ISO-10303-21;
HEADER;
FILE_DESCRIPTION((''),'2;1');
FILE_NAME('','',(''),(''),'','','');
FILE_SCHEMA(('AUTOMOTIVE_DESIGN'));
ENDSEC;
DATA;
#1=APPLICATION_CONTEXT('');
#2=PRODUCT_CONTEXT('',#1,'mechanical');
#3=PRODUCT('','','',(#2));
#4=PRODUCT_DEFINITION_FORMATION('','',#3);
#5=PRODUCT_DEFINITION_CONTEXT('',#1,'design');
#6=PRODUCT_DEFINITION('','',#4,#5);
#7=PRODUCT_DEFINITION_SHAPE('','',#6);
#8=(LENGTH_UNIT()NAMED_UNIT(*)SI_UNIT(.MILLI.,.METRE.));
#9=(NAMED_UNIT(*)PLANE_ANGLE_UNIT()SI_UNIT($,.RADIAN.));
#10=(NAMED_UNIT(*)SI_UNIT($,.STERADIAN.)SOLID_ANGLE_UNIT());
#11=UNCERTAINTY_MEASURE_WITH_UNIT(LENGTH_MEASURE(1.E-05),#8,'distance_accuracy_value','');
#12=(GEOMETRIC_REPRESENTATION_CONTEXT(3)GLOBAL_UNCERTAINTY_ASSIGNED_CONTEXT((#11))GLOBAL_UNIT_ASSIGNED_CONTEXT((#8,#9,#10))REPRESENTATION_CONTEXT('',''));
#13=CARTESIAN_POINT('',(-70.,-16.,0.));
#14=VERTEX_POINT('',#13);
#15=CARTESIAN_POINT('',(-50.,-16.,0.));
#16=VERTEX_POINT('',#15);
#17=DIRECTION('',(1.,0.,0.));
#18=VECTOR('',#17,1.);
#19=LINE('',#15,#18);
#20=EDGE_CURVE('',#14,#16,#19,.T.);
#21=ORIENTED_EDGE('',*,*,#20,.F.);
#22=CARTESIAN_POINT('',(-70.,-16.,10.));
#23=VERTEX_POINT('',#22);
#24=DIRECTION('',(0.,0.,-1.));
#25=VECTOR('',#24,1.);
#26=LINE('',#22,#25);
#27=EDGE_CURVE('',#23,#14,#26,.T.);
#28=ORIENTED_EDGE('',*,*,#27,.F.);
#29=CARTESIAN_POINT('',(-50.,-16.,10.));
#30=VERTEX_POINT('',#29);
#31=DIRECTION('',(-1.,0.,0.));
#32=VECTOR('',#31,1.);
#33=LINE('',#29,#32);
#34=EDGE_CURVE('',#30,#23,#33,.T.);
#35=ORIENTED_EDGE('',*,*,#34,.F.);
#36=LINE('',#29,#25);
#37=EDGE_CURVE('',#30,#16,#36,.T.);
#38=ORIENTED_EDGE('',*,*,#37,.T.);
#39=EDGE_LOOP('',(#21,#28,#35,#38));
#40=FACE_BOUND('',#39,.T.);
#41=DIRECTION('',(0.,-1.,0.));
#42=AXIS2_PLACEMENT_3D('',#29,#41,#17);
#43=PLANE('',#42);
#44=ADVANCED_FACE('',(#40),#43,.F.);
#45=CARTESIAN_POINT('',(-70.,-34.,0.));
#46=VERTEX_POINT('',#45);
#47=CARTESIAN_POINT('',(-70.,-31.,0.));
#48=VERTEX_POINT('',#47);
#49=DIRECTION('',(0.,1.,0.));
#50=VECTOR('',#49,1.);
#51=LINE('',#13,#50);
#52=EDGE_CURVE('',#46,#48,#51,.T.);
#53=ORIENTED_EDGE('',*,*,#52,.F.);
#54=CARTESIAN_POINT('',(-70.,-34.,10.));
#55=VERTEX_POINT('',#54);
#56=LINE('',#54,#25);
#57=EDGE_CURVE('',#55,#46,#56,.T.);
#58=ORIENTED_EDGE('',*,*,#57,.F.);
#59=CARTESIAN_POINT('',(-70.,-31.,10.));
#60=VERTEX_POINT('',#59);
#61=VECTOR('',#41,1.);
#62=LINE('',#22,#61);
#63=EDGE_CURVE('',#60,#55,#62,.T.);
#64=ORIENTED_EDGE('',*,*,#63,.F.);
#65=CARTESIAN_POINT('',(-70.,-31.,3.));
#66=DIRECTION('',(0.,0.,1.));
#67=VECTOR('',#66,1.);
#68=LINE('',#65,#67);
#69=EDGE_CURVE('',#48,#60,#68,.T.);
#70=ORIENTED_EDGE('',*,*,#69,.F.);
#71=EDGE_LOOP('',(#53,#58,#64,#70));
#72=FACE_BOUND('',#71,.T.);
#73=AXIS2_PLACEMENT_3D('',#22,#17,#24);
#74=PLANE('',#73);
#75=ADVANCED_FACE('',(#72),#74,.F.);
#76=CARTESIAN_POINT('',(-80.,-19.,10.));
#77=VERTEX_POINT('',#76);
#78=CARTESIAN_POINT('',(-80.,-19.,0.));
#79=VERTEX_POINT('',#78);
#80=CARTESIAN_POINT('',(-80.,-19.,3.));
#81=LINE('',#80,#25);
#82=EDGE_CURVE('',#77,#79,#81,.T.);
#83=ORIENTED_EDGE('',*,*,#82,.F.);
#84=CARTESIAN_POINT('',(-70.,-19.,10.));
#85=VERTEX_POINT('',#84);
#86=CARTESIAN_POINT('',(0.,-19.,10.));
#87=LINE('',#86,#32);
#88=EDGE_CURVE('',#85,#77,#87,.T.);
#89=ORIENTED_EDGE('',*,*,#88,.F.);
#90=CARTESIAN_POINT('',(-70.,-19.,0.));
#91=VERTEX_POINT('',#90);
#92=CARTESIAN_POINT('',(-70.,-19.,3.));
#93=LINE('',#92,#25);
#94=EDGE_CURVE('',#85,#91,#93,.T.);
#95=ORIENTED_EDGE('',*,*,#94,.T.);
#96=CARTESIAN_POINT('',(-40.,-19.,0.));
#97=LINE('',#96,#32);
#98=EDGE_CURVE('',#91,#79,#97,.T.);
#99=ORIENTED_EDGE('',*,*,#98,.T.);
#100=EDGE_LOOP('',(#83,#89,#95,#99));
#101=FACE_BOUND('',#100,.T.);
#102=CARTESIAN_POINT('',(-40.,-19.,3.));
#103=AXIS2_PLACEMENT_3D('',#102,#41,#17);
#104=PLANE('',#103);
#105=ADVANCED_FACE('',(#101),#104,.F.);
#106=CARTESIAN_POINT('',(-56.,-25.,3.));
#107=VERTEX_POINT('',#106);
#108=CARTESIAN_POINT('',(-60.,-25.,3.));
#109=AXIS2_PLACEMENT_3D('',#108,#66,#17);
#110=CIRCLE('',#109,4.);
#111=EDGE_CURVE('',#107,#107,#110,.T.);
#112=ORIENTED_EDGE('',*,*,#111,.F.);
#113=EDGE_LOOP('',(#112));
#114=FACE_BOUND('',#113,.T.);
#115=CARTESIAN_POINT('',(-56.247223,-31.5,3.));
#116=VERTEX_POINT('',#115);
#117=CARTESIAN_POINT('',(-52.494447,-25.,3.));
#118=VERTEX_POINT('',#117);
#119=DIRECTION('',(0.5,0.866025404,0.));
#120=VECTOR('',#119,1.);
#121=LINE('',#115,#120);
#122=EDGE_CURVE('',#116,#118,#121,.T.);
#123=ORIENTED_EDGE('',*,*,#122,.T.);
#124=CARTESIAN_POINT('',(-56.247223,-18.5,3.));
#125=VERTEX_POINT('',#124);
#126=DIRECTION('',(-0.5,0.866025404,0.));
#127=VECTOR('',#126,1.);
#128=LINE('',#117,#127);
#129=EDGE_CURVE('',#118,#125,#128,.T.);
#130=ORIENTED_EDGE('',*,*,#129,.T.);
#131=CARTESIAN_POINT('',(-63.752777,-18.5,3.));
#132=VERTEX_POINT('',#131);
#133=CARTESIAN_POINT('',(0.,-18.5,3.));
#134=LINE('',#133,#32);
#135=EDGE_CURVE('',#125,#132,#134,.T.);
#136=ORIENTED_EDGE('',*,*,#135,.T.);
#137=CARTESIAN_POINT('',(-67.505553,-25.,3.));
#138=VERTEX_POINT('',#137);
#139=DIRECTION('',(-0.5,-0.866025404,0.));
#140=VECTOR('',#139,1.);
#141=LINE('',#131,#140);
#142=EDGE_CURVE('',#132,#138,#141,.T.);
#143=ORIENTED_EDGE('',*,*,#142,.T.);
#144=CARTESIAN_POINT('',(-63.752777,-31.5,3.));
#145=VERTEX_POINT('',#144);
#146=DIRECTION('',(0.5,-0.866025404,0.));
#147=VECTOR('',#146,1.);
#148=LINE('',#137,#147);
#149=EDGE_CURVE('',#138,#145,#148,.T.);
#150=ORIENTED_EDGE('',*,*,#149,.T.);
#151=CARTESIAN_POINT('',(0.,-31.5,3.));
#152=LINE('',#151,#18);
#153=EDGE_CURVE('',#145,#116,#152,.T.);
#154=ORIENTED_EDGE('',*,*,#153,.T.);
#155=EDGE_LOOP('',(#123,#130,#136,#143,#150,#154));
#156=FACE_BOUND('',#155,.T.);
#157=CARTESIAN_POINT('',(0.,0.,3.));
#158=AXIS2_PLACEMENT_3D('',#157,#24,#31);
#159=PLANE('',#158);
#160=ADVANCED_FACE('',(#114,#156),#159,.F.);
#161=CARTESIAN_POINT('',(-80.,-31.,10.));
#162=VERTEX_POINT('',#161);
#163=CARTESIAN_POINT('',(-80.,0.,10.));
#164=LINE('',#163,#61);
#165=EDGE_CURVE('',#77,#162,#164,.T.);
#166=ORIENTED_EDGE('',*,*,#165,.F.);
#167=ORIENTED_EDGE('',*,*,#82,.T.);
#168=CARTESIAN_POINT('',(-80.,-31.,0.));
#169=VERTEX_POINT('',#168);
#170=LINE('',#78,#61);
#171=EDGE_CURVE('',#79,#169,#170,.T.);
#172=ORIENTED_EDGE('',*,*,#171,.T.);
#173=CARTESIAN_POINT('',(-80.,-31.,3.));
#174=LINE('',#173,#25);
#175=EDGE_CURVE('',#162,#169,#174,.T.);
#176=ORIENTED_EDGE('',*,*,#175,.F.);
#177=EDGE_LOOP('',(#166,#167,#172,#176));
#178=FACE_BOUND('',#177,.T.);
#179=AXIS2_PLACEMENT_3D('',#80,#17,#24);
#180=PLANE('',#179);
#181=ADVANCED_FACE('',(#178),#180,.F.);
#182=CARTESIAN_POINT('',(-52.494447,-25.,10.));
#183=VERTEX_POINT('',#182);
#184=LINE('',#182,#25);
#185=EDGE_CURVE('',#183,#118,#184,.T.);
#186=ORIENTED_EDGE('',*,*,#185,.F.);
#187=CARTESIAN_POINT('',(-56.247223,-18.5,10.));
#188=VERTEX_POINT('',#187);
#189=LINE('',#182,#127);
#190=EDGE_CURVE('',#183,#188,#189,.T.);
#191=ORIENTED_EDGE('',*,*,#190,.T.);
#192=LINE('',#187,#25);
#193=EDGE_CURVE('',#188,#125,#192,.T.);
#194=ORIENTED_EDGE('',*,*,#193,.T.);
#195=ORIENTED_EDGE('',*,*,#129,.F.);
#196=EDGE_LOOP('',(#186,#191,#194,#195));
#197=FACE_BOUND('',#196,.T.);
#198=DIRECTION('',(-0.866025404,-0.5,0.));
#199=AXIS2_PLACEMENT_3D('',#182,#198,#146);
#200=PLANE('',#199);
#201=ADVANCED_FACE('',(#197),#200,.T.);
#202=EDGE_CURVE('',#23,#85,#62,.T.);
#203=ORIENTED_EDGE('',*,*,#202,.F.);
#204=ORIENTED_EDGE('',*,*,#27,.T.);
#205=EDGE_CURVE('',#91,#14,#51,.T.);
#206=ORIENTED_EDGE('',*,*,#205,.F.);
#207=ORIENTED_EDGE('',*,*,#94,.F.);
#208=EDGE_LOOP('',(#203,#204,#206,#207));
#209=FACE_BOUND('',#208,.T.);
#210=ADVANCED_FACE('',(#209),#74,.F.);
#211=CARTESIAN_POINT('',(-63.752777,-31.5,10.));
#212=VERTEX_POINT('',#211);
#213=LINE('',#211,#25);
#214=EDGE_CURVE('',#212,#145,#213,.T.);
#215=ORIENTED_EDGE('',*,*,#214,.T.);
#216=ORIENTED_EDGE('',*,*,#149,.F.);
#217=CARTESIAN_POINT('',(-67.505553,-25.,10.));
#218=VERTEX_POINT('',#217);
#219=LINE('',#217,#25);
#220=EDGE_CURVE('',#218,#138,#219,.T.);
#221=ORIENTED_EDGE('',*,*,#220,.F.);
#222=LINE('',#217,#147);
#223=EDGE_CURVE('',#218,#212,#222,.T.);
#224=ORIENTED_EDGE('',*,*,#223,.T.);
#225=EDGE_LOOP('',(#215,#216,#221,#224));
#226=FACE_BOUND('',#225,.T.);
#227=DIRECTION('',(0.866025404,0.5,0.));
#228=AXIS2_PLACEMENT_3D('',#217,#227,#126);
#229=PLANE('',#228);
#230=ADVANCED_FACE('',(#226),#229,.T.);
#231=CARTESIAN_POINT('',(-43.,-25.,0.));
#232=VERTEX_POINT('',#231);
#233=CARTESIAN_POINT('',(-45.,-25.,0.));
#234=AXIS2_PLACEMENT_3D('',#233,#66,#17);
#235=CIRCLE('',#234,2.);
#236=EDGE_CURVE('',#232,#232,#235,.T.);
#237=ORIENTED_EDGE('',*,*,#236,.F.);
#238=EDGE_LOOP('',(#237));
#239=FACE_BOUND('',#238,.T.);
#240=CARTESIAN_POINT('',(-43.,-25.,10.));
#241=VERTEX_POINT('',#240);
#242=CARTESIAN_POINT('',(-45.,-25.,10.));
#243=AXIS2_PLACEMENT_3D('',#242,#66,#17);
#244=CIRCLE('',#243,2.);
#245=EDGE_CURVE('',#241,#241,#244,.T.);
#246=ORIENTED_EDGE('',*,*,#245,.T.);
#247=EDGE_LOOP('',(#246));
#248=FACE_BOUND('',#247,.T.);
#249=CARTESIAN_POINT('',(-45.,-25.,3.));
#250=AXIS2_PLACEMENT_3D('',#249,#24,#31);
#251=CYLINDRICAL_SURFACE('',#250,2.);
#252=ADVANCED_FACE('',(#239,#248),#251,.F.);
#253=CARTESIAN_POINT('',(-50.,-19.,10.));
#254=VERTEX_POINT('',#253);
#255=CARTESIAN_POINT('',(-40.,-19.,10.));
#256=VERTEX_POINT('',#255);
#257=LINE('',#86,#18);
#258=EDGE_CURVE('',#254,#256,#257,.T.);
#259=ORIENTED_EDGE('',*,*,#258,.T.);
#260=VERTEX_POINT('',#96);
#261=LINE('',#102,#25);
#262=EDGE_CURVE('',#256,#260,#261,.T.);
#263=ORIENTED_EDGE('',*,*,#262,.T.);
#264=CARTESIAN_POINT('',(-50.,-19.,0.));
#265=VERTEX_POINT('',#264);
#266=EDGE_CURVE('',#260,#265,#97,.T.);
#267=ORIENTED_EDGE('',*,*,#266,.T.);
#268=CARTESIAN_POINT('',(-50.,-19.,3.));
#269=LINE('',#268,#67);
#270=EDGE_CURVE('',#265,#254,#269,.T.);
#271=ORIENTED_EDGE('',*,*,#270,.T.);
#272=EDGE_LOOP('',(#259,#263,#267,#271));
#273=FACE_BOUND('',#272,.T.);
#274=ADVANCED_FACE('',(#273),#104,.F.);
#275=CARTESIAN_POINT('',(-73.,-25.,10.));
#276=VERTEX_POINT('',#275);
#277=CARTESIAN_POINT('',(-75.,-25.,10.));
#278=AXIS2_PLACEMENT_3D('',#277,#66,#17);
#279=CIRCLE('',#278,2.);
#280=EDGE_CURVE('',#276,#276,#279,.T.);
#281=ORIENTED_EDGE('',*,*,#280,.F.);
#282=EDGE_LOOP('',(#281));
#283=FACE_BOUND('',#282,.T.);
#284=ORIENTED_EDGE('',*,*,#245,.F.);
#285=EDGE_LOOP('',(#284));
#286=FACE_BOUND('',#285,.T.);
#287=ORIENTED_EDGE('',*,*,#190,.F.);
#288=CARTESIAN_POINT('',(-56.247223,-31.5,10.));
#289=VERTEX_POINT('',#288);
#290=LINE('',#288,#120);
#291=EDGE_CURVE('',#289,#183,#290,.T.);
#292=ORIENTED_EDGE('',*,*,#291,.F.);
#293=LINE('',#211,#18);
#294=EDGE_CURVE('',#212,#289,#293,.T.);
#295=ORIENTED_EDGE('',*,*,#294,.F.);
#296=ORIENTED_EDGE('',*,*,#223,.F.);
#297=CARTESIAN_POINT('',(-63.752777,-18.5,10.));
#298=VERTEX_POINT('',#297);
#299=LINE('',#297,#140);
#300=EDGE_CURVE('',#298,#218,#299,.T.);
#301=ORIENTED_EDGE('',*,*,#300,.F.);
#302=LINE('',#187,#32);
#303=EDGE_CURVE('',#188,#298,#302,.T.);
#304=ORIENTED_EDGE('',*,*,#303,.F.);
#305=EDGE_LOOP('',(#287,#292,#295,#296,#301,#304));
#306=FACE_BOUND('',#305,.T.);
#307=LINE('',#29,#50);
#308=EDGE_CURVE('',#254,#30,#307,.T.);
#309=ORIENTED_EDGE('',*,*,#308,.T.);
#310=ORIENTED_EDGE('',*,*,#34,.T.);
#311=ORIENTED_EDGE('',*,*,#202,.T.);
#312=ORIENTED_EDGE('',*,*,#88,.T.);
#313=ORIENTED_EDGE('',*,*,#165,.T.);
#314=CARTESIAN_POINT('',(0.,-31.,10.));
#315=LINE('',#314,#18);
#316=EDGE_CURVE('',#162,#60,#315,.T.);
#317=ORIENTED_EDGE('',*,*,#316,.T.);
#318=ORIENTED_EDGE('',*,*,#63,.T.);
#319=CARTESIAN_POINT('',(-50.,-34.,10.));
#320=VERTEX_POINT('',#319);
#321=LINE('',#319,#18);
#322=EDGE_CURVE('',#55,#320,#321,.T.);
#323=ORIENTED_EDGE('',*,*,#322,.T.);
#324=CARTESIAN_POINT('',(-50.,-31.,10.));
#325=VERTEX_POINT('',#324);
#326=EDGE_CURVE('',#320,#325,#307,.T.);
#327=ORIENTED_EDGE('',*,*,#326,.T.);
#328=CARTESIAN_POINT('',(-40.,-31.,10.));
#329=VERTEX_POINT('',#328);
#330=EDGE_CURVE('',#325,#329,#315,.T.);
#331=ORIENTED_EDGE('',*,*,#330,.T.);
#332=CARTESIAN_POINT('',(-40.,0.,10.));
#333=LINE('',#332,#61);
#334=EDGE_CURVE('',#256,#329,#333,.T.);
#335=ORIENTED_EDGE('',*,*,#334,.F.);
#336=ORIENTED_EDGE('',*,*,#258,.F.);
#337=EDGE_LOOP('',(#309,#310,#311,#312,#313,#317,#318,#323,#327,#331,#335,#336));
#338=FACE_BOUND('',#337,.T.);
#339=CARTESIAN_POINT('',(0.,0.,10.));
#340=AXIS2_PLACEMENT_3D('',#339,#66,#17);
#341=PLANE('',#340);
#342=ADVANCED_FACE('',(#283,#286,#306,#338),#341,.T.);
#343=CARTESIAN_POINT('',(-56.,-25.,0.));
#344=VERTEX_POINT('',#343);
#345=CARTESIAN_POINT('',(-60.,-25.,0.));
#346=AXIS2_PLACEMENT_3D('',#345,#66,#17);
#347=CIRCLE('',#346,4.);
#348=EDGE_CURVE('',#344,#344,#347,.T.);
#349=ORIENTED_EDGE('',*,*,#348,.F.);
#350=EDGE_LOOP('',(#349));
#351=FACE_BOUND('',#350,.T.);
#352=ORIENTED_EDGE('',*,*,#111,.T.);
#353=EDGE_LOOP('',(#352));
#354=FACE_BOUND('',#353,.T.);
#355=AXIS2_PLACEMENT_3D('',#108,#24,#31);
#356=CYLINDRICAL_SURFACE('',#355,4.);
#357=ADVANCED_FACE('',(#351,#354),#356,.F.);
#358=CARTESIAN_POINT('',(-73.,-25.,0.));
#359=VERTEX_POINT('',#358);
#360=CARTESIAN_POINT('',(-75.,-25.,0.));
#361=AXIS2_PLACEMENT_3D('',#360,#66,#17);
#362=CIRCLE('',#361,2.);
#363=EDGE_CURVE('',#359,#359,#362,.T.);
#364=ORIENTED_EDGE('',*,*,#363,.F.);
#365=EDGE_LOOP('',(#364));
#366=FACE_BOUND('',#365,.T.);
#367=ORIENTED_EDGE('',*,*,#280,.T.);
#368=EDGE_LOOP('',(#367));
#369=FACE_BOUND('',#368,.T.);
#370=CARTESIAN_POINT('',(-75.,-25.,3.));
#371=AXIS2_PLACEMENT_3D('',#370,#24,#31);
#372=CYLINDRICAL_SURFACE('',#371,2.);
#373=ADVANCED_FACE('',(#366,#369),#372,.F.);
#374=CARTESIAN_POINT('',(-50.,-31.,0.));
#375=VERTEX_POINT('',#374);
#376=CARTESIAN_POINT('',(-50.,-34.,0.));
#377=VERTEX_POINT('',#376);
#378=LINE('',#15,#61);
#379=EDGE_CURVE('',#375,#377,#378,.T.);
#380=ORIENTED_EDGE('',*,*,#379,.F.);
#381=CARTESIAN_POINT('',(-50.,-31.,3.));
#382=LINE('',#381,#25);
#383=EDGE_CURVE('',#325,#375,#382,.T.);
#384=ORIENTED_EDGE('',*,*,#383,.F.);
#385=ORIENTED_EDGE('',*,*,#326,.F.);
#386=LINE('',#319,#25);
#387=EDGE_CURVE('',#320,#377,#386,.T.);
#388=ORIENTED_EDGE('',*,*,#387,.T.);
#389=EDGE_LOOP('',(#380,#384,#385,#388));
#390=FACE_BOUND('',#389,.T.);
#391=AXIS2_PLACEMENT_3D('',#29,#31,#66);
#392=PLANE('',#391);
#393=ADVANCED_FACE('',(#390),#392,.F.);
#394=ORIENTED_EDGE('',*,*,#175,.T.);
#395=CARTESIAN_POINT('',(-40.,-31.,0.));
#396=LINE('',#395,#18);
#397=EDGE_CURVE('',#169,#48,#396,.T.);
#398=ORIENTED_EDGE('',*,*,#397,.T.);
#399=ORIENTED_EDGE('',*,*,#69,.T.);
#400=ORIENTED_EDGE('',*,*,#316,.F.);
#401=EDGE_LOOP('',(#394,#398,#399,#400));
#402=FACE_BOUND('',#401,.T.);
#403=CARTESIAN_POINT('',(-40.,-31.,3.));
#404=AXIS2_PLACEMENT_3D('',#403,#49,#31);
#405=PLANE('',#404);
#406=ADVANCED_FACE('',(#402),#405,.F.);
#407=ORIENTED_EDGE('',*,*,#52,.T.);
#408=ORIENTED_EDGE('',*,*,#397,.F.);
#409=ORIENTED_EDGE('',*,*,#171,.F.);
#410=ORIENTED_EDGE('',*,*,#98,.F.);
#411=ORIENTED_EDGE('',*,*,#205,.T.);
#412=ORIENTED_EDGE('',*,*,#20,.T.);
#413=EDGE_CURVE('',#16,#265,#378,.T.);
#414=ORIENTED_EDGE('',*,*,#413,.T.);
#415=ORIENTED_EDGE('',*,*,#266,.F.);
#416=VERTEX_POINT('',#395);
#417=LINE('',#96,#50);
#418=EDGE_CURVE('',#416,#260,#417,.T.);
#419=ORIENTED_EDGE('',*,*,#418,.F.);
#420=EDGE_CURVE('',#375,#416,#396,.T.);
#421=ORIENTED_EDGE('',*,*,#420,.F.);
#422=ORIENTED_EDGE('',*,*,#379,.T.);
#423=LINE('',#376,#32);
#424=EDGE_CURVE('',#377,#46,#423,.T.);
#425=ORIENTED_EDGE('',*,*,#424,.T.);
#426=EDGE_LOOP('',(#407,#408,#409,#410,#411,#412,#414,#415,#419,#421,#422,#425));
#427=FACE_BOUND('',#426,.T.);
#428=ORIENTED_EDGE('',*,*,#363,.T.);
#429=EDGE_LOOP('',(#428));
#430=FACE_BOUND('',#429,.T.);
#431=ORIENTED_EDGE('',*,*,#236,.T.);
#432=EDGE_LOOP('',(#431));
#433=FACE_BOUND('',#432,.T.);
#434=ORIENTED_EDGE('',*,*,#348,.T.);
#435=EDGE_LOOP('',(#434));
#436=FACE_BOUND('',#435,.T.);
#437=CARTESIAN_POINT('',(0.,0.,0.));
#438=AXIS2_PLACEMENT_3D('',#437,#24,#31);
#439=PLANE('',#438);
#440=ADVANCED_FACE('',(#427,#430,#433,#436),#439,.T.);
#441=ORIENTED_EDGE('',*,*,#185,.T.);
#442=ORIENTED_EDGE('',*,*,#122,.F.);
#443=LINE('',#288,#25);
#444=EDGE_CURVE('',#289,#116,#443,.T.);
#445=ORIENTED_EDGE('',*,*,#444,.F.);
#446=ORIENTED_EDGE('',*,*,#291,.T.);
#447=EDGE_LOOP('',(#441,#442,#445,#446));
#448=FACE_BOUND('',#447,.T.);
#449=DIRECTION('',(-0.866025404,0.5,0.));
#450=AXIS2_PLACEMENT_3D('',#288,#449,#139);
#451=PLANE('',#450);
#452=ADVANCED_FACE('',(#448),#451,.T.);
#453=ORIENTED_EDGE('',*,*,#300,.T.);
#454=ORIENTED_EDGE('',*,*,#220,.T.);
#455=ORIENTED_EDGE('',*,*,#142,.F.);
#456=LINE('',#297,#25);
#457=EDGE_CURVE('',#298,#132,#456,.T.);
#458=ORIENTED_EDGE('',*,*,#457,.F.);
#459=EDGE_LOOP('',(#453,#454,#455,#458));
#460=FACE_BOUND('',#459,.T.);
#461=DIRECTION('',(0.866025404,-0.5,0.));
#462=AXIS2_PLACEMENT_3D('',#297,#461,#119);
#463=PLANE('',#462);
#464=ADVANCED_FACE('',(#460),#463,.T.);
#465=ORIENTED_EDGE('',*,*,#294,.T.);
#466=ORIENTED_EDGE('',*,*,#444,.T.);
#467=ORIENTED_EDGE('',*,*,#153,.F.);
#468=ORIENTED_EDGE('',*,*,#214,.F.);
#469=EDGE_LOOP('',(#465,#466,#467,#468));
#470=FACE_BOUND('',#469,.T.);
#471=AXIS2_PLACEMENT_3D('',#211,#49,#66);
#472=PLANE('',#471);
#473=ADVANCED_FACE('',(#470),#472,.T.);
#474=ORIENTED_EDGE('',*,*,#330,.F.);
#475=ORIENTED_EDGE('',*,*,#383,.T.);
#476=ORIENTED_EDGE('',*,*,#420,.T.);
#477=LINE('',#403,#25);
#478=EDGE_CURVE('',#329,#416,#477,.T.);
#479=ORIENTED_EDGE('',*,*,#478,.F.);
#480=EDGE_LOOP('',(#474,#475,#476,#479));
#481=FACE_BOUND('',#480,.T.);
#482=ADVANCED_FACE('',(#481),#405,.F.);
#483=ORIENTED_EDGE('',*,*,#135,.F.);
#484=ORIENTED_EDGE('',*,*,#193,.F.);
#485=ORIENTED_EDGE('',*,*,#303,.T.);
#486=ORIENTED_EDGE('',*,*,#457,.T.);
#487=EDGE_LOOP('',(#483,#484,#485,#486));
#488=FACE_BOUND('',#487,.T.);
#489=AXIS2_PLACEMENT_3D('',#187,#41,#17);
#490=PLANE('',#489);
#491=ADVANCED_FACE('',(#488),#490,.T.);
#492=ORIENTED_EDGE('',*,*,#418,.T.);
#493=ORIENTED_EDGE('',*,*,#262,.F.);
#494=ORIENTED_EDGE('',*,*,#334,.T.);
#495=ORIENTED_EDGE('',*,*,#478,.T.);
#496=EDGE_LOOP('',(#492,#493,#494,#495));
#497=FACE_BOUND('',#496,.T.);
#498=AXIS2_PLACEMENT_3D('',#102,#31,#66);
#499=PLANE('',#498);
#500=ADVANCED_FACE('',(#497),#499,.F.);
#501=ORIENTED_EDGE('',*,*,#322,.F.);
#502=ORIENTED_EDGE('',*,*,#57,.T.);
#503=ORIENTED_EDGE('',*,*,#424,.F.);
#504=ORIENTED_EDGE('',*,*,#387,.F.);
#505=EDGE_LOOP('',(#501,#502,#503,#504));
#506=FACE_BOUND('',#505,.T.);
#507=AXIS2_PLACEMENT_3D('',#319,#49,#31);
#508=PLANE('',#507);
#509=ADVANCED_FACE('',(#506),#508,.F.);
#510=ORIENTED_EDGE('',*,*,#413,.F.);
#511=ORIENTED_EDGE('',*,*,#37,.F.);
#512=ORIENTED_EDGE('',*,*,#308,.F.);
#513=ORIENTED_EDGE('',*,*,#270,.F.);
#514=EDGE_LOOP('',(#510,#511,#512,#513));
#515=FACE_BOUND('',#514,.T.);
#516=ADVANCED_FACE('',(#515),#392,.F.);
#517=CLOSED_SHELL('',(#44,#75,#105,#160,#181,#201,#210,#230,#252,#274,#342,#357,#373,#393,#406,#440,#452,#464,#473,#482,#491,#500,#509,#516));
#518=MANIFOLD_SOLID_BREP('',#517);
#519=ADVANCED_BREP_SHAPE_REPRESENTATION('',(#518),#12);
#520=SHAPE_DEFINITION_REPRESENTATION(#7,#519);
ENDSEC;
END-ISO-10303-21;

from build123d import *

# Parameters (mm, degrees)
SKETCH1_W           = 40
SKETCH1_H           = 12
SKETCH1_R           = 2
SKETCH1_R_2         = 4
BOSS_EXTRUDE1_DEPTH = 3
SKETCH2_W           = 20
SKETCH2_H           = 18
BOSS_EXTRUDE2_DEPTH = 7
SKETCH2_4_W         = 20
SKETCH2_4_H         = 18
BOSS_EXTRUDE3_DEPTH = 3
SKETCH3_W           = 10
SKETCH3_H           = 12
SKETCH3_R           = 2
BOSS_EXTRUDE4_DEPTH = 7
BOSS_EXTRUDE5_DEPTH = 3


with BuildPart() as part:
    # Sketch1 → Boss-Extrude1 (new body)
    with BuildSketch(Plane.XY):
        with Locations((-60, -25)):
            Rectangle(SKETCH1_W, SKETCH1_H)
        with Locations((-45, -25)):
            Circle(SKETCH1_R, mode=Mode.SUBTRACT)
        with Locations((-75, -25)):
            Circle(SKETCH1_R, mode=Mode.SUBTRACT)
        with Locations((-60, -25)):
            Circle(SKETCH1_R_2, mode=Mode.SUBTRACT)
    extrude(amount=BOSS_EXTRUDE1_DEPTH)

    # Sketch2 → Boss-Extrude2 (add)
    with BuildSketch(Plane.XY.offset(3)):
        with Locations((-60, -25)):
            Rectangle(SKETCH2_W, SKETCH2_H)
        Polygon((-56.24722325, -18.5), (-63.75277675, -18.5), (-67.505553499, -25), (-63.75277675, -31.5), (-56.24722325, -31.5), (-52.494446501, -25), align=None, mode=Mode.SUBTRACT)
    extrude(amount=BOSS_EXTRUDE2_DEPTH)

    # Sketch2<4> → Boss-Extrude3 (add)
    with BuildSketch(Plane.XY.offset(3)):
        with Locations((-60, -25)):
            Rectangle(SKETCH2_4_W, SKETCH2_4_H)
        Polygon((-56.24722325, -18.5), (-63.75277675, -18.5), (-67.505553499, -25), (-63.75277675, -31.5), (-56.24722325, -31.5), (-52.494446501, -25), align=None, mode=Mode.SUBTRACT)
    extrude(amount=-BOSS_EXTRUDE3_DEPTH)

    # Sketch3 → Boss-Extrude4 (add)
    # profile 1 of 6: a face of its own
    with BuildSketch(Plane.XY.offset(3)):
        Polygon((-50, -19), (-55.958548116, -19), (-52.494446501, -25), (-55.958548116, -31), (-50, -31), align=None)
    # profile 2 of 6: a face of its own
    with BuildSketch(Plane.XY.offset(3)):
        Polygon((-64.041451884, -31), (-70, -31), (-70, -34), (-50, -34), (-50, -31), (-55.958548116, -31), (-56.24722325, -31.5), (-63.75277675, -31.5), align=None)
    # profile 3 of 6: a face of its own
    with BuildSketch(Plane.XY.offset(3)):
        Polygon((-64.041451884, -19), (-70, -19), (-70, -31), (-64.041451884, -31), (-67.505553499, -25), align=None)
    # profile 4 of 6: a face of its own
    with BuildSketch(Plane.XY.offset(3)):
        Polygon((-70, -16), (-70, -19), (-64.041451884, -19), (-63.75277675, -18.5), (-56.24722325, -18.5), (-55.958548116, -19), (-50, -19), (-50, -16), align=None)
    # profile 5 of 6: a face of its own
    with BuildSketch(Plane.XY.offset(3)):
        with Locations((-75, -25)):
            Rectangle(SKETCH3_W, SKETCH3_H)
        with Locations((-75, -25)):
            Circle(SKETCH3_R, mode=Mode.SUBTRACT)
    # profile 6 of 6: a face of its own
    with BuildSketch(Plane.XY.offset(3)):
        with Locations((-45, -25)):
            Rectangle(SKETCH3_W, SKETCH3_H)
        with Locations((-45, -25)):
            Circle(SKETCH3_R, mode=Mode.SUBTRACT)
    extrude(amount=BOSS_EXTRUDE4_DEPTH)

    # Sketch3<4> → Boss-Extrude5 (add)
    with BuildSketch(Plane.XY.offset(3)):
        Polygon((-63.75277675, -18.5), (-64.041451884, -19), (-55.958548116, -19), (-56.24722325, -18.5), align=None)
        Polygon((-55.958548116, -31), (-64.041451884, -31), (-63.75277675, -31.5), (-56.24722325, -31.5), align=None)
    extrude(amount=-BOSS_EXTRUDE5_DEPTH)


solid = part.part
